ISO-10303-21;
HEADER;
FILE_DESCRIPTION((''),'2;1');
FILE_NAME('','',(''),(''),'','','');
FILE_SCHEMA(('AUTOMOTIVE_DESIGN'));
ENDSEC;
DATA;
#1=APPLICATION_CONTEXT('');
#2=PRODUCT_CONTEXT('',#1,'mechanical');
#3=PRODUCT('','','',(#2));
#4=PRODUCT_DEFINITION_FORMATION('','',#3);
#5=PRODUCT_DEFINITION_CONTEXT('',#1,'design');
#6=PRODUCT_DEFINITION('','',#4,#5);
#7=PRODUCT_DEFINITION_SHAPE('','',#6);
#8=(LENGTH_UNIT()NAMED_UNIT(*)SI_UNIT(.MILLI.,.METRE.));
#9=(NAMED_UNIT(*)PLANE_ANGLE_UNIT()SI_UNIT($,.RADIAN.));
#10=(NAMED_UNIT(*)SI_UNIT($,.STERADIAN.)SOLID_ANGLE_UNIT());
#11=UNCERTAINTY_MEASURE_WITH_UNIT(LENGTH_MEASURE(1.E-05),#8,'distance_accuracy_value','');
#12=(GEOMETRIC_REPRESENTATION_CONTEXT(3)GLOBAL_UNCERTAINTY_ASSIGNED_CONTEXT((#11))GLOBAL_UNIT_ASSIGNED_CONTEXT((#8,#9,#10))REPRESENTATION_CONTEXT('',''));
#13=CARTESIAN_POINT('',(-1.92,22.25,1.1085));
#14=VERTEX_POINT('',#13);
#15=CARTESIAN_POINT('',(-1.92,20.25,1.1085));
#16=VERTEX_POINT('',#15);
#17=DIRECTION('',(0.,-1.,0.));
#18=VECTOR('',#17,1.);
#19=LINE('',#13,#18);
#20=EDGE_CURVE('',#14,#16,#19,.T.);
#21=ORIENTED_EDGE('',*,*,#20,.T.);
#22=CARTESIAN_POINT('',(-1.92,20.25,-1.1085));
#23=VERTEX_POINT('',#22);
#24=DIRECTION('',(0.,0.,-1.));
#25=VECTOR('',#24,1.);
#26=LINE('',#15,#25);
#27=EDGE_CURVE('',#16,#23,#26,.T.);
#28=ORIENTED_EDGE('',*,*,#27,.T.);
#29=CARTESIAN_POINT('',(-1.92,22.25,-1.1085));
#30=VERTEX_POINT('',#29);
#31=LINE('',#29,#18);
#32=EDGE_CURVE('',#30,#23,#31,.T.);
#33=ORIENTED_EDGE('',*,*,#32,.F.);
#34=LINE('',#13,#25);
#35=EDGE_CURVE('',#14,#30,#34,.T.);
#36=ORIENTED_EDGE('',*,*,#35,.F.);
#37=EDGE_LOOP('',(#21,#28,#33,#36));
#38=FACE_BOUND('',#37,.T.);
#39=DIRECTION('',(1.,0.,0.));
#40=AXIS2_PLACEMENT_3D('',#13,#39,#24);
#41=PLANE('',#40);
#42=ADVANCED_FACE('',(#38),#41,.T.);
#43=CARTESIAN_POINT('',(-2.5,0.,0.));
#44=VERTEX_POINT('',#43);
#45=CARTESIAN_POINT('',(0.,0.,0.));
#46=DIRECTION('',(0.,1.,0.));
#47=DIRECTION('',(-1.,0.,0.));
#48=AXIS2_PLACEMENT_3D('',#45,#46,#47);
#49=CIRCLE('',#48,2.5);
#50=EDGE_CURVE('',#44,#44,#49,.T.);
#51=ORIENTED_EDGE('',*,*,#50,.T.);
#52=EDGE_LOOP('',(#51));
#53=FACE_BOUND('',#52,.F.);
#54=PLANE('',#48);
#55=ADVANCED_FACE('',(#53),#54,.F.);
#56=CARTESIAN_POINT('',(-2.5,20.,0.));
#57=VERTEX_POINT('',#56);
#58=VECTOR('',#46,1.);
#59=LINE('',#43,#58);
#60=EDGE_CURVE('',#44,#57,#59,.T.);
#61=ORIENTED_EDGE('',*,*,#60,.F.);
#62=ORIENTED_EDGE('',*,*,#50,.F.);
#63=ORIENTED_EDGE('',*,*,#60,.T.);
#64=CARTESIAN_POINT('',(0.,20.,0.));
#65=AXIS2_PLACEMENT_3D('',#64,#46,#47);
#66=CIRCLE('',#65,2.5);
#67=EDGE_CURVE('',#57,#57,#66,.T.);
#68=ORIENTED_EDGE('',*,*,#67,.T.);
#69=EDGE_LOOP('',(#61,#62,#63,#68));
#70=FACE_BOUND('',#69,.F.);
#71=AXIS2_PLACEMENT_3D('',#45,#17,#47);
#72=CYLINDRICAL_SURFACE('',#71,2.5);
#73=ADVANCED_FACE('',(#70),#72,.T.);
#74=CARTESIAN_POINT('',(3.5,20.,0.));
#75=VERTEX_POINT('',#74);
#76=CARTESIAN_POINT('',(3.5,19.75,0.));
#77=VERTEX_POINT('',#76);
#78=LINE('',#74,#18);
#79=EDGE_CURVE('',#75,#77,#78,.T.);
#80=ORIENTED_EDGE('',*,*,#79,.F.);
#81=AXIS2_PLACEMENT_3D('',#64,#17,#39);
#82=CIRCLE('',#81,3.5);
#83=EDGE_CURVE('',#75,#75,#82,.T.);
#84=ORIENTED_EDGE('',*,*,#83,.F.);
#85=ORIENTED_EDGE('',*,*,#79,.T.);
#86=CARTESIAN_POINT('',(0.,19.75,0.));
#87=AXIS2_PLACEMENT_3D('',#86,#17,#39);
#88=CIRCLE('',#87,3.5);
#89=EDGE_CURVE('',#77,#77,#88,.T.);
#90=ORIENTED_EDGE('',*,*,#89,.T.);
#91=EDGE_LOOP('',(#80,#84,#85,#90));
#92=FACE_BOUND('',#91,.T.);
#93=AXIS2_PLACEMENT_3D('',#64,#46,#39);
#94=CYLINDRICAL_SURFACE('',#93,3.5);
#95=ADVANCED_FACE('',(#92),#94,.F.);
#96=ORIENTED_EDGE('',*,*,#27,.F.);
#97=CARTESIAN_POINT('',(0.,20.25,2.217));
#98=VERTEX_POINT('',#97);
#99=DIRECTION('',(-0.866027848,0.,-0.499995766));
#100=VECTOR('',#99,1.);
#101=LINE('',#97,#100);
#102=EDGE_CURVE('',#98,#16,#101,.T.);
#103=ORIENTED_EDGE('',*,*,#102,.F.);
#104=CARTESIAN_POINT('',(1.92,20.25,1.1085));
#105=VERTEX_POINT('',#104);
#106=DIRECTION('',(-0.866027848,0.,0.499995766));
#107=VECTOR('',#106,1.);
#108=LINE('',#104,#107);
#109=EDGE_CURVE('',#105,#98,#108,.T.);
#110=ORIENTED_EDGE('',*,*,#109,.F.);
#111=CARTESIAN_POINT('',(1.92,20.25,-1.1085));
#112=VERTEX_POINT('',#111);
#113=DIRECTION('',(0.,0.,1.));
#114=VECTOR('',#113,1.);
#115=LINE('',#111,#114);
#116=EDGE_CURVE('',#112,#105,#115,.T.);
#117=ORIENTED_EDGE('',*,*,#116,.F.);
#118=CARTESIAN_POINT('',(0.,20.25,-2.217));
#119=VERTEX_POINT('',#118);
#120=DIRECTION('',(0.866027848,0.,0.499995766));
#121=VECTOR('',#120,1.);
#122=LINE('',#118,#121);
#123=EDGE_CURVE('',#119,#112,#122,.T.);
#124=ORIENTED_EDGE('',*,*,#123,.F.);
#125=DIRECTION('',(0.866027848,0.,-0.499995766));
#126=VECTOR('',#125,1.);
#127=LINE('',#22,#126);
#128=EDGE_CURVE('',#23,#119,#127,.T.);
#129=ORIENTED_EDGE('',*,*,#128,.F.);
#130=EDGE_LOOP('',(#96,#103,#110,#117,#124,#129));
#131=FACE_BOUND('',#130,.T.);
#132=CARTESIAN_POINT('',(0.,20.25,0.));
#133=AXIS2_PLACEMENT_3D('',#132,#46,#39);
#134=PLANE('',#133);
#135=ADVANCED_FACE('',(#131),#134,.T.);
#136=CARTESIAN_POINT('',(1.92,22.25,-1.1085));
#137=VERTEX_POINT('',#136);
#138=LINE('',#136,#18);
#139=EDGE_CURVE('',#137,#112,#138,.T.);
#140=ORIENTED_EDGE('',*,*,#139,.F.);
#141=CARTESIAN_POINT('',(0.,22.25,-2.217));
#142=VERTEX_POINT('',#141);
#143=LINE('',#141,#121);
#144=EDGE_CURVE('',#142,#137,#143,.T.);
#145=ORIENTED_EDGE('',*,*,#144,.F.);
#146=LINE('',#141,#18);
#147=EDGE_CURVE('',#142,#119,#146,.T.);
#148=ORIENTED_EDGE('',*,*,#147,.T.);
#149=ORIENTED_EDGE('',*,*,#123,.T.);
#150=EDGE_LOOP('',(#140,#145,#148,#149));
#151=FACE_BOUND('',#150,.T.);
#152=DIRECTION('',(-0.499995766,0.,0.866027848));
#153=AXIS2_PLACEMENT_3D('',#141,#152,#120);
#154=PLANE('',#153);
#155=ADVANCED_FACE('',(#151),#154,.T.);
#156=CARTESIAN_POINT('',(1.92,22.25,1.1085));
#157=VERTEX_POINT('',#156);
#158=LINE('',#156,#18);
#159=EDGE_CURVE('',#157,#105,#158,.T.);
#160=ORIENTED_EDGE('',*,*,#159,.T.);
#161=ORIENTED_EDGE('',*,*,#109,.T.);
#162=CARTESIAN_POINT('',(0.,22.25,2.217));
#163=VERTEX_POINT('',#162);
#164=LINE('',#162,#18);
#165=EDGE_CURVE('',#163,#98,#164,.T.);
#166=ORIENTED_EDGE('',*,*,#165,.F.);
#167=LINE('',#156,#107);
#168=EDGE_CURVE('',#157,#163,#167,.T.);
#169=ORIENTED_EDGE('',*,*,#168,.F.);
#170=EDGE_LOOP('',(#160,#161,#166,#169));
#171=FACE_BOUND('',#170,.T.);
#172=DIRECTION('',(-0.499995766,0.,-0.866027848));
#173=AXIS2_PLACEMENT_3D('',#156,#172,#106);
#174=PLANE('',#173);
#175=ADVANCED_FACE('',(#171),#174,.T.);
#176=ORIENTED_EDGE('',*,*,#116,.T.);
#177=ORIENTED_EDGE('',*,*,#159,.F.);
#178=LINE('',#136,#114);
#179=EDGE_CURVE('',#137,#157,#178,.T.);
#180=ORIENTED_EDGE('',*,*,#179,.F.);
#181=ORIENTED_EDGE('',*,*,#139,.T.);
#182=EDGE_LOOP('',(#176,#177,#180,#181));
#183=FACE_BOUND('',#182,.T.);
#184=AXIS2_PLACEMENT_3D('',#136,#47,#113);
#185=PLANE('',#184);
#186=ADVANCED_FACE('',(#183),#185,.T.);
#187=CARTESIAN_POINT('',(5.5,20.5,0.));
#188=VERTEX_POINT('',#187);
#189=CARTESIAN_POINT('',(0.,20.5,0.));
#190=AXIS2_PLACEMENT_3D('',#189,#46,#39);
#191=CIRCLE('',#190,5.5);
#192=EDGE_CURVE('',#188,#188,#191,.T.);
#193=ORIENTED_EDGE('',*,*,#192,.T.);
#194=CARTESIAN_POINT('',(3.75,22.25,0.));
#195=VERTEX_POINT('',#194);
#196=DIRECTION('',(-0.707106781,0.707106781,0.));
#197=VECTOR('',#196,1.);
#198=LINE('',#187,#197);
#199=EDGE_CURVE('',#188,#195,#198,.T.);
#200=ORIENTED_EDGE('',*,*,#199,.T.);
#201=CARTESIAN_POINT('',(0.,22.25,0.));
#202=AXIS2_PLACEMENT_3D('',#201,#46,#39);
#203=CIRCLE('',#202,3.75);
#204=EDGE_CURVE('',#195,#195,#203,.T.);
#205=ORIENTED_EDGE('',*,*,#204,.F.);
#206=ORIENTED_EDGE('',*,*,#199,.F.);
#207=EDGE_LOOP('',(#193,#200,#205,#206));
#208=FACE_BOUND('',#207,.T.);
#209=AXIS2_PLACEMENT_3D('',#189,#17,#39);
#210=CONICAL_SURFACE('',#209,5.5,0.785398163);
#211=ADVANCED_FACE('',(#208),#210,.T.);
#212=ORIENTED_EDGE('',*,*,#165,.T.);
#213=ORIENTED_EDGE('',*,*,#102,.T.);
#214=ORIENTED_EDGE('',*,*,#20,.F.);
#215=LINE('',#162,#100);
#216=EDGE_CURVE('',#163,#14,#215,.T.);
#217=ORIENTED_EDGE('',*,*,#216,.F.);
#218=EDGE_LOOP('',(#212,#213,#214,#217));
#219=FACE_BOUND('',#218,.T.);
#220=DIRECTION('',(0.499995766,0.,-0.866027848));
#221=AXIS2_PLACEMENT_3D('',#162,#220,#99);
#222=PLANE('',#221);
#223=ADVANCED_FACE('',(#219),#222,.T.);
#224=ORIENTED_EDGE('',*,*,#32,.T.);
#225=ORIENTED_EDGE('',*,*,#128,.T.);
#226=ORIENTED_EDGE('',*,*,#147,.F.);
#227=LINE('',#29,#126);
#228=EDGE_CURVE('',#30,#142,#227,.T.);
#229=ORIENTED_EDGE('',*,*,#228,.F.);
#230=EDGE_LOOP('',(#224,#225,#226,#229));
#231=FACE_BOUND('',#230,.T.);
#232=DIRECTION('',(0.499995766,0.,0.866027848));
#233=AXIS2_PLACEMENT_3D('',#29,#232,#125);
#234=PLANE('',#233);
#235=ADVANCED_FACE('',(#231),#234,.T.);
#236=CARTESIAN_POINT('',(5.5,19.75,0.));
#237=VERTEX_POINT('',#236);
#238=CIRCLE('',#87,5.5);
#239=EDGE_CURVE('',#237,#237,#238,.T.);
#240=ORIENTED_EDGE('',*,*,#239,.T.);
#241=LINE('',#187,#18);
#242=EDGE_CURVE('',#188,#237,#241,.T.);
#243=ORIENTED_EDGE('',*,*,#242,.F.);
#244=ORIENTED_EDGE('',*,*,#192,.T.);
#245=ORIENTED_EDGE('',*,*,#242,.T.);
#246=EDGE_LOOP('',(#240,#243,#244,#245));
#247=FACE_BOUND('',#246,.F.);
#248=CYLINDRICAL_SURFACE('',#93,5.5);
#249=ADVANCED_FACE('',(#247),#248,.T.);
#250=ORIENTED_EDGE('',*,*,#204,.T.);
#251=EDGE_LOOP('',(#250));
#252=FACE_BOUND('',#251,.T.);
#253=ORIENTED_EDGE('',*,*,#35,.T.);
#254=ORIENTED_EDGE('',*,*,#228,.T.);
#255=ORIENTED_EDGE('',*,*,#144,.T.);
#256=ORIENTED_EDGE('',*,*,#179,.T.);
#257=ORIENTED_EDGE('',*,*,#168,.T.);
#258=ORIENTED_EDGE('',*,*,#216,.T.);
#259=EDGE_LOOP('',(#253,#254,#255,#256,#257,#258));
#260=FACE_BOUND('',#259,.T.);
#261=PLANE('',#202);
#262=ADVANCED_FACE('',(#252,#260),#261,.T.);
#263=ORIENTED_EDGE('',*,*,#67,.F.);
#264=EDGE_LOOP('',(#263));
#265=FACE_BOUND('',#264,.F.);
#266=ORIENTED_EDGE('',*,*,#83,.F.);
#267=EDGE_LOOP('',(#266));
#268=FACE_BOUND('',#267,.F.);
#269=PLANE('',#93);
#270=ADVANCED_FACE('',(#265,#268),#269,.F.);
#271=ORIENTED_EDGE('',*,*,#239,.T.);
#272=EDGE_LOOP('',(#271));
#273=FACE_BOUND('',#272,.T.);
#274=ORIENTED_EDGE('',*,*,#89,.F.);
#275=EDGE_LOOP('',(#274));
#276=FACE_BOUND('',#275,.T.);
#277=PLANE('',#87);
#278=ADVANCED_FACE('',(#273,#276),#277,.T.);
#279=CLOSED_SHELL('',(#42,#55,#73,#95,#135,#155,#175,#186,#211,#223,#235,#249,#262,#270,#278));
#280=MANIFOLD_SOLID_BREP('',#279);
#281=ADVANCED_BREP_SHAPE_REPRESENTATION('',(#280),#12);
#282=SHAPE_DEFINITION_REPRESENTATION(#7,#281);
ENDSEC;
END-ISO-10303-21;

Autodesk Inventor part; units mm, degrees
ref_plane "YZ Plane" through (0, 0, 0) normal (1, 0, 0) x (0, 1, 0)
ref_plane "XZ Plane" through (0, 0, 0) normal (0, 1, 0) x (-1, 0, 0)
ref_plane "XY Plane" through (0, 0, 0) normal (0, 0, 1) x (1, 0, 0)
sketch "Sketch1" plane through (0, 0, 0) normal (0, 1, 0) x (-1, 0, 0)
  circle A0 centre (0, 0) radius 2.5
  dimension "d0" = 5
extrude "Extrusion1" add sketch "Sketch1" along normal blind 20
sketch "Sketch2" plane through (0, 20, 0) normal (0, 1, 0) x (1, 0, 0)
  circle A0 centre (0, 0) radius 2.5 projected
  circle A1 centre (0, 0) radius 5.5
  dimension "d3" = 11
extrude "Extrusion2" add sketch "Sketch2" along normal blind 2.25 contours A0 | A1
sketch "Sketch3" plane through (0, 22.25, 0) normal (0, 1, 0) x (1, 0, 0)
  circle A0 centre (0, 0) radius 5.5 projected
  line L0 (0, 2.217) -> (1.92, 1.1085)
  line L1 (1.92, 1.1085) -> (1.92, -1.1085)
  line L2 (1.92, -1.1085) -> (0, -2.217)
  line L3 (0, -2.217) -> (-1.92, -1.1085)
  line L4 (-1.92, -1.1085) -> (-1.92, 1.1085)
  line L5 (-1.92, 1.1085) -> (0, 2.217)
  dimension "d6" = 1.92
chamfer "Chamfer1" distance 1.75 angle 45 1 edges at (-5.5, 22.25, 0)
sketch "Sketch4" plane through (0, 20, 0) normal (0, -1, 0) x (1, 0, 0)
  circle A0 centre (0, 0) radius 5.5 projected
  circle A1 centre (0, 0) radius 2.5 projected
  circle A2 centre (0, 0) radius 3.5
  dimension "d10" = 7
extrude "Extrusion3" add sketch "Sketch4" along normal blind 0.25 contours A0
extrude "Extrusion4" cut sketch "Sketch3" against normal blind 2 contours L0 L1 L2 L3 L4 L5
thread "Thread1" size "M5x0.8" class "6g" standard "ANSI Metric M Profile" full length
properties part number "M5x20BlindScrew" material "Stainless Steel"
